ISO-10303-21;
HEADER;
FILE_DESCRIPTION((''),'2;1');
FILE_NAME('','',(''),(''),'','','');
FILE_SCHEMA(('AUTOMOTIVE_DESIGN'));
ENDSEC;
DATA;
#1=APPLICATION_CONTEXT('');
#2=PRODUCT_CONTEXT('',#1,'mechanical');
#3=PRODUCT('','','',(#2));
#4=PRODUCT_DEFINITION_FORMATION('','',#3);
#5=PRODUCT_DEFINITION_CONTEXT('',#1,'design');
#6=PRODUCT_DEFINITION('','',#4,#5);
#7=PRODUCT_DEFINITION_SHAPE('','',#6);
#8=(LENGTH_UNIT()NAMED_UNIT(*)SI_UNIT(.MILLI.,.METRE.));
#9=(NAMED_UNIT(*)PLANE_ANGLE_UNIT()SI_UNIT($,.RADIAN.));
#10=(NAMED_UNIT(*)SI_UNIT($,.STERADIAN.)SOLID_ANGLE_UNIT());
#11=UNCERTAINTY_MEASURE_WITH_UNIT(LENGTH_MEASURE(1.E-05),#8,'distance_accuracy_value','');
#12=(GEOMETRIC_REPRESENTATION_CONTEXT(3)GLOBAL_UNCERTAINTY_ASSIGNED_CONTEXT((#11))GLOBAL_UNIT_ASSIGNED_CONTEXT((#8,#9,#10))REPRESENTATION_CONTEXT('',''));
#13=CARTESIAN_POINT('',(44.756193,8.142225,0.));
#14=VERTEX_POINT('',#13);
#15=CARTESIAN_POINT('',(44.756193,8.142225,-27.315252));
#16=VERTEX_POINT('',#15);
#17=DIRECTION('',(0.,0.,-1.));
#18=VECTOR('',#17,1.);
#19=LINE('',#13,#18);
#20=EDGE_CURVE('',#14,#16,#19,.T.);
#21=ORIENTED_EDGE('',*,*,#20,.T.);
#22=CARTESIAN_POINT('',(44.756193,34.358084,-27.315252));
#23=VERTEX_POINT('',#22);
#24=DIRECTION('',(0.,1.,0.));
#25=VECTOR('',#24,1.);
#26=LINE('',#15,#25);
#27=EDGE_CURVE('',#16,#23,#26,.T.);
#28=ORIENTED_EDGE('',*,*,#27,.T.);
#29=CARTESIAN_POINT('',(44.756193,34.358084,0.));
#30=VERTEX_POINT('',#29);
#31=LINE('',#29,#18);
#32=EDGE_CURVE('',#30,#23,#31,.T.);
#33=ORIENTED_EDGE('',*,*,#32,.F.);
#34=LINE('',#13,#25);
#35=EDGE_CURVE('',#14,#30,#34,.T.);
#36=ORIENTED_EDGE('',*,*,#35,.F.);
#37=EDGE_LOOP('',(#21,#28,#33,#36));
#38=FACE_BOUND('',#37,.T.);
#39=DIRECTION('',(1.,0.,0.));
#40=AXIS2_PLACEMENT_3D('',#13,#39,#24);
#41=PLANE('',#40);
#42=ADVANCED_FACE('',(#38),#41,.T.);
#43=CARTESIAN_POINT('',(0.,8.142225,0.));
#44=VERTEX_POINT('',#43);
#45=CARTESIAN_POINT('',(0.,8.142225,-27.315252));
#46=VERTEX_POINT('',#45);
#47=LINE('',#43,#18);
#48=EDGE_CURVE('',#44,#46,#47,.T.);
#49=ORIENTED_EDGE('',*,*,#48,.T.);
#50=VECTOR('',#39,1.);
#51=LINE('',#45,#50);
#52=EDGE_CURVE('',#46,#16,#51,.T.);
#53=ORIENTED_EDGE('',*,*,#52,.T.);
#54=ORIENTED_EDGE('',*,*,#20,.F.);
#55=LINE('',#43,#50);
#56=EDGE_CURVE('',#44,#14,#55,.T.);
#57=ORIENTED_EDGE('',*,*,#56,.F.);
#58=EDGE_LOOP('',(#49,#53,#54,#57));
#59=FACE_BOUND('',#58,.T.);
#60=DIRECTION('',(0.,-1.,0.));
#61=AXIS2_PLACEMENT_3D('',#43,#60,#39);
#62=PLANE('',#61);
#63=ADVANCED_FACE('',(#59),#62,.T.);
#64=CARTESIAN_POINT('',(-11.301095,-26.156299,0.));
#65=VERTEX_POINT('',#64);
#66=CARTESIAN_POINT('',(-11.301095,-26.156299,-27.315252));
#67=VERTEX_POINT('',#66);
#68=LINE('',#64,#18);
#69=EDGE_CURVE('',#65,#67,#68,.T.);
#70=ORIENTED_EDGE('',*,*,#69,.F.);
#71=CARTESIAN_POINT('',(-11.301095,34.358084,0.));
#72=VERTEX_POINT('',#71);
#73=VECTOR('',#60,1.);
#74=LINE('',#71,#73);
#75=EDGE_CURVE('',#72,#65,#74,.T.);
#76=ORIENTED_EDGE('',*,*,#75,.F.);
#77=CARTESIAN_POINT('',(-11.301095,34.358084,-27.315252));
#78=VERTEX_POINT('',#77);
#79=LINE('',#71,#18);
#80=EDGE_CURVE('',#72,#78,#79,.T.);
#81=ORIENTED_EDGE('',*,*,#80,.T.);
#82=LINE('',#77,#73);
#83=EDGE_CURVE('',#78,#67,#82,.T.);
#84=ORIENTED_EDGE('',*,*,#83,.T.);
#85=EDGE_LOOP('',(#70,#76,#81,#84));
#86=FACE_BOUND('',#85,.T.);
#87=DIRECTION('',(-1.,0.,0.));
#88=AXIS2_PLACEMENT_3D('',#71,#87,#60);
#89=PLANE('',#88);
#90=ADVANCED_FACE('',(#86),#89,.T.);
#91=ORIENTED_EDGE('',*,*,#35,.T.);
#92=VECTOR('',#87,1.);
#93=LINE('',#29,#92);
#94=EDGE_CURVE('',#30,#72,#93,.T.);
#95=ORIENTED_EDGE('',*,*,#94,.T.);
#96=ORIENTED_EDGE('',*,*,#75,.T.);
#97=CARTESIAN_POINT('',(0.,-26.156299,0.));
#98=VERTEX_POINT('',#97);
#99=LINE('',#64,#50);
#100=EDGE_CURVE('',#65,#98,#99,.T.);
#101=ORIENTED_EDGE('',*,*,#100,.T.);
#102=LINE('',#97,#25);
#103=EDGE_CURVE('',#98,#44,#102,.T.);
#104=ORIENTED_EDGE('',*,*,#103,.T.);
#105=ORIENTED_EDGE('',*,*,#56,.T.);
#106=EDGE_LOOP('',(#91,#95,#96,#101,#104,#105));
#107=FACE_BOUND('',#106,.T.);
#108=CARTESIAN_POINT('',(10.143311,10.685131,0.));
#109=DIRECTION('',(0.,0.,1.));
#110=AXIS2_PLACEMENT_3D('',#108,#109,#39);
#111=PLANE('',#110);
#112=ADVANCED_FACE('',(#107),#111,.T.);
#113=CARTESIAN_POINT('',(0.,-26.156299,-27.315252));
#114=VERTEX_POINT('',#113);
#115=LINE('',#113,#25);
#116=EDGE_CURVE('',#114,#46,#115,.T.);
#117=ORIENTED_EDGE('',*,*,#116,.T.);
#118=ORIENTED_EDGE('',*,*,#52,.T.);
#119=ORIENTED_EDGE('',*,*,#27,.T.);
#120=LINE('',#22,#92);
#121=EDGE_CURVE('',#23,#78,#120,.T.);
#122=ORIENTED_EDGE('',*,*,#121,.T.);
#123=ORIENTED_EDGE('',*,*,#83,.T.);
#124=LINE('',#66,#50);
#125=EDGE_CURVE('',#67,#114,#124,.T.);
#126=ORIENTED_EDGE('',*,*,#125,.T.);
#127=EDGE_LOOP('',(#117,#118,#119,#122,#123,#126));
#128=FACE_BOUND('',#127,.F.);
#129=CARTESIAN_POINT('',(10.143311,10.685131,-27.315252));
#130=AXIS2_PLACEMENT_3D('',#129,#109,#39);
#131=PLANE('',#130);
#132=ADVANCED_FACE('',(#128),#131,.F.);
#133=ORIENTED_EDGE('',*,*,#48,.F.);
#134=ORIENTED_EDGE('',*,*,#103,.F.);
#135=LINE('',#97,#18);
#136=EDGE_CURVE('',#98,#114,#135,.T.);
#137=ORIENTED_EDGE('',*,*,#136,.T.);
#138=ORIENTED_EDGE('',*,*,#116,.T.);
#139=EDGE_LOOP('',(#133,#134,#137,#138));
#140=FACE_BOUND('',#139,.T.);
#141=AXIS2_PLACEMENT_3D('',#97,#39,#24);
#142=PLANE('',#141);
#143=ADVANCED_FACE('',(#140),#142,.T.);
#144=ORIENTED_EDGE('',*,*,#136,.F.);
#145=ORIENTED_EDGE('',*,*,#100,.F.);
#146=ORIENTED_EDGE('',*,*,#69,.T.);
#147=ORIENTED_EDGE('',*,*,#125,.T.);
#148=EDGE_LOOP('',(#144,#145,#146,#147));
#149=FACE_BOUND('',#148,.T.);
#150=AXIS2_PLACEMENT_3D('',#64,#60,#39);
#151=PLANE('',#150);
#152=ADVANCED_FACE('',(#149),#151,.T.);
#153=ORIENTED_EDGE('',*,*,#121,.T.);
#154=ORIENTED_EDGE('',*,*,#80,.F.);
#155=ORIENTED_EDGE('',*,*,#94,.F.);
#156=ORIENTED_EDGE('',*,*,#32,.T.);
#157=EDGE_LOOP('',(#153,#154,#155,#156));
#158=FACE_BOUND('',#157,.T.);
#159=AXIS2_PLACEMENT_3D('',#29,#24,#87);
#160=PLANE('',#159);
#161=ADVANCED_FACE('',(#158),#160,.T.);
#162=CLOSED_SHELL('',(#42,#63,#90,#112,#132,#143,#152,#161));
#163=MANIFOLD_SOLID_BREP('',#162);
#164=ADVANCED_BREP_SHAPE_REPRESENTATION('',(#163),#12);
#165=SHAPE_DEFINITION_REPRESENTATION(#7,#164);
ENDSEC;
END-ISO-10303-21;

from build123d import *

# Parameters (mm, degrees)
F1_DEPTH = 27.315252


with BuildPart() as f1:
    # F0 (on Top) → F1 (new body)
    with BuildSketch(Plane.XY):
        Polygon((44.756193, 34.358084), (-11.301095, 34.358084), (-11.301095, -26.156299), (0, -26.156299), (0, -9.007037), (0, 8.142225), (44.756193, 8.142225), align=None)
    extrude(amount=-F1_DEPTH)


solid = f1.part
